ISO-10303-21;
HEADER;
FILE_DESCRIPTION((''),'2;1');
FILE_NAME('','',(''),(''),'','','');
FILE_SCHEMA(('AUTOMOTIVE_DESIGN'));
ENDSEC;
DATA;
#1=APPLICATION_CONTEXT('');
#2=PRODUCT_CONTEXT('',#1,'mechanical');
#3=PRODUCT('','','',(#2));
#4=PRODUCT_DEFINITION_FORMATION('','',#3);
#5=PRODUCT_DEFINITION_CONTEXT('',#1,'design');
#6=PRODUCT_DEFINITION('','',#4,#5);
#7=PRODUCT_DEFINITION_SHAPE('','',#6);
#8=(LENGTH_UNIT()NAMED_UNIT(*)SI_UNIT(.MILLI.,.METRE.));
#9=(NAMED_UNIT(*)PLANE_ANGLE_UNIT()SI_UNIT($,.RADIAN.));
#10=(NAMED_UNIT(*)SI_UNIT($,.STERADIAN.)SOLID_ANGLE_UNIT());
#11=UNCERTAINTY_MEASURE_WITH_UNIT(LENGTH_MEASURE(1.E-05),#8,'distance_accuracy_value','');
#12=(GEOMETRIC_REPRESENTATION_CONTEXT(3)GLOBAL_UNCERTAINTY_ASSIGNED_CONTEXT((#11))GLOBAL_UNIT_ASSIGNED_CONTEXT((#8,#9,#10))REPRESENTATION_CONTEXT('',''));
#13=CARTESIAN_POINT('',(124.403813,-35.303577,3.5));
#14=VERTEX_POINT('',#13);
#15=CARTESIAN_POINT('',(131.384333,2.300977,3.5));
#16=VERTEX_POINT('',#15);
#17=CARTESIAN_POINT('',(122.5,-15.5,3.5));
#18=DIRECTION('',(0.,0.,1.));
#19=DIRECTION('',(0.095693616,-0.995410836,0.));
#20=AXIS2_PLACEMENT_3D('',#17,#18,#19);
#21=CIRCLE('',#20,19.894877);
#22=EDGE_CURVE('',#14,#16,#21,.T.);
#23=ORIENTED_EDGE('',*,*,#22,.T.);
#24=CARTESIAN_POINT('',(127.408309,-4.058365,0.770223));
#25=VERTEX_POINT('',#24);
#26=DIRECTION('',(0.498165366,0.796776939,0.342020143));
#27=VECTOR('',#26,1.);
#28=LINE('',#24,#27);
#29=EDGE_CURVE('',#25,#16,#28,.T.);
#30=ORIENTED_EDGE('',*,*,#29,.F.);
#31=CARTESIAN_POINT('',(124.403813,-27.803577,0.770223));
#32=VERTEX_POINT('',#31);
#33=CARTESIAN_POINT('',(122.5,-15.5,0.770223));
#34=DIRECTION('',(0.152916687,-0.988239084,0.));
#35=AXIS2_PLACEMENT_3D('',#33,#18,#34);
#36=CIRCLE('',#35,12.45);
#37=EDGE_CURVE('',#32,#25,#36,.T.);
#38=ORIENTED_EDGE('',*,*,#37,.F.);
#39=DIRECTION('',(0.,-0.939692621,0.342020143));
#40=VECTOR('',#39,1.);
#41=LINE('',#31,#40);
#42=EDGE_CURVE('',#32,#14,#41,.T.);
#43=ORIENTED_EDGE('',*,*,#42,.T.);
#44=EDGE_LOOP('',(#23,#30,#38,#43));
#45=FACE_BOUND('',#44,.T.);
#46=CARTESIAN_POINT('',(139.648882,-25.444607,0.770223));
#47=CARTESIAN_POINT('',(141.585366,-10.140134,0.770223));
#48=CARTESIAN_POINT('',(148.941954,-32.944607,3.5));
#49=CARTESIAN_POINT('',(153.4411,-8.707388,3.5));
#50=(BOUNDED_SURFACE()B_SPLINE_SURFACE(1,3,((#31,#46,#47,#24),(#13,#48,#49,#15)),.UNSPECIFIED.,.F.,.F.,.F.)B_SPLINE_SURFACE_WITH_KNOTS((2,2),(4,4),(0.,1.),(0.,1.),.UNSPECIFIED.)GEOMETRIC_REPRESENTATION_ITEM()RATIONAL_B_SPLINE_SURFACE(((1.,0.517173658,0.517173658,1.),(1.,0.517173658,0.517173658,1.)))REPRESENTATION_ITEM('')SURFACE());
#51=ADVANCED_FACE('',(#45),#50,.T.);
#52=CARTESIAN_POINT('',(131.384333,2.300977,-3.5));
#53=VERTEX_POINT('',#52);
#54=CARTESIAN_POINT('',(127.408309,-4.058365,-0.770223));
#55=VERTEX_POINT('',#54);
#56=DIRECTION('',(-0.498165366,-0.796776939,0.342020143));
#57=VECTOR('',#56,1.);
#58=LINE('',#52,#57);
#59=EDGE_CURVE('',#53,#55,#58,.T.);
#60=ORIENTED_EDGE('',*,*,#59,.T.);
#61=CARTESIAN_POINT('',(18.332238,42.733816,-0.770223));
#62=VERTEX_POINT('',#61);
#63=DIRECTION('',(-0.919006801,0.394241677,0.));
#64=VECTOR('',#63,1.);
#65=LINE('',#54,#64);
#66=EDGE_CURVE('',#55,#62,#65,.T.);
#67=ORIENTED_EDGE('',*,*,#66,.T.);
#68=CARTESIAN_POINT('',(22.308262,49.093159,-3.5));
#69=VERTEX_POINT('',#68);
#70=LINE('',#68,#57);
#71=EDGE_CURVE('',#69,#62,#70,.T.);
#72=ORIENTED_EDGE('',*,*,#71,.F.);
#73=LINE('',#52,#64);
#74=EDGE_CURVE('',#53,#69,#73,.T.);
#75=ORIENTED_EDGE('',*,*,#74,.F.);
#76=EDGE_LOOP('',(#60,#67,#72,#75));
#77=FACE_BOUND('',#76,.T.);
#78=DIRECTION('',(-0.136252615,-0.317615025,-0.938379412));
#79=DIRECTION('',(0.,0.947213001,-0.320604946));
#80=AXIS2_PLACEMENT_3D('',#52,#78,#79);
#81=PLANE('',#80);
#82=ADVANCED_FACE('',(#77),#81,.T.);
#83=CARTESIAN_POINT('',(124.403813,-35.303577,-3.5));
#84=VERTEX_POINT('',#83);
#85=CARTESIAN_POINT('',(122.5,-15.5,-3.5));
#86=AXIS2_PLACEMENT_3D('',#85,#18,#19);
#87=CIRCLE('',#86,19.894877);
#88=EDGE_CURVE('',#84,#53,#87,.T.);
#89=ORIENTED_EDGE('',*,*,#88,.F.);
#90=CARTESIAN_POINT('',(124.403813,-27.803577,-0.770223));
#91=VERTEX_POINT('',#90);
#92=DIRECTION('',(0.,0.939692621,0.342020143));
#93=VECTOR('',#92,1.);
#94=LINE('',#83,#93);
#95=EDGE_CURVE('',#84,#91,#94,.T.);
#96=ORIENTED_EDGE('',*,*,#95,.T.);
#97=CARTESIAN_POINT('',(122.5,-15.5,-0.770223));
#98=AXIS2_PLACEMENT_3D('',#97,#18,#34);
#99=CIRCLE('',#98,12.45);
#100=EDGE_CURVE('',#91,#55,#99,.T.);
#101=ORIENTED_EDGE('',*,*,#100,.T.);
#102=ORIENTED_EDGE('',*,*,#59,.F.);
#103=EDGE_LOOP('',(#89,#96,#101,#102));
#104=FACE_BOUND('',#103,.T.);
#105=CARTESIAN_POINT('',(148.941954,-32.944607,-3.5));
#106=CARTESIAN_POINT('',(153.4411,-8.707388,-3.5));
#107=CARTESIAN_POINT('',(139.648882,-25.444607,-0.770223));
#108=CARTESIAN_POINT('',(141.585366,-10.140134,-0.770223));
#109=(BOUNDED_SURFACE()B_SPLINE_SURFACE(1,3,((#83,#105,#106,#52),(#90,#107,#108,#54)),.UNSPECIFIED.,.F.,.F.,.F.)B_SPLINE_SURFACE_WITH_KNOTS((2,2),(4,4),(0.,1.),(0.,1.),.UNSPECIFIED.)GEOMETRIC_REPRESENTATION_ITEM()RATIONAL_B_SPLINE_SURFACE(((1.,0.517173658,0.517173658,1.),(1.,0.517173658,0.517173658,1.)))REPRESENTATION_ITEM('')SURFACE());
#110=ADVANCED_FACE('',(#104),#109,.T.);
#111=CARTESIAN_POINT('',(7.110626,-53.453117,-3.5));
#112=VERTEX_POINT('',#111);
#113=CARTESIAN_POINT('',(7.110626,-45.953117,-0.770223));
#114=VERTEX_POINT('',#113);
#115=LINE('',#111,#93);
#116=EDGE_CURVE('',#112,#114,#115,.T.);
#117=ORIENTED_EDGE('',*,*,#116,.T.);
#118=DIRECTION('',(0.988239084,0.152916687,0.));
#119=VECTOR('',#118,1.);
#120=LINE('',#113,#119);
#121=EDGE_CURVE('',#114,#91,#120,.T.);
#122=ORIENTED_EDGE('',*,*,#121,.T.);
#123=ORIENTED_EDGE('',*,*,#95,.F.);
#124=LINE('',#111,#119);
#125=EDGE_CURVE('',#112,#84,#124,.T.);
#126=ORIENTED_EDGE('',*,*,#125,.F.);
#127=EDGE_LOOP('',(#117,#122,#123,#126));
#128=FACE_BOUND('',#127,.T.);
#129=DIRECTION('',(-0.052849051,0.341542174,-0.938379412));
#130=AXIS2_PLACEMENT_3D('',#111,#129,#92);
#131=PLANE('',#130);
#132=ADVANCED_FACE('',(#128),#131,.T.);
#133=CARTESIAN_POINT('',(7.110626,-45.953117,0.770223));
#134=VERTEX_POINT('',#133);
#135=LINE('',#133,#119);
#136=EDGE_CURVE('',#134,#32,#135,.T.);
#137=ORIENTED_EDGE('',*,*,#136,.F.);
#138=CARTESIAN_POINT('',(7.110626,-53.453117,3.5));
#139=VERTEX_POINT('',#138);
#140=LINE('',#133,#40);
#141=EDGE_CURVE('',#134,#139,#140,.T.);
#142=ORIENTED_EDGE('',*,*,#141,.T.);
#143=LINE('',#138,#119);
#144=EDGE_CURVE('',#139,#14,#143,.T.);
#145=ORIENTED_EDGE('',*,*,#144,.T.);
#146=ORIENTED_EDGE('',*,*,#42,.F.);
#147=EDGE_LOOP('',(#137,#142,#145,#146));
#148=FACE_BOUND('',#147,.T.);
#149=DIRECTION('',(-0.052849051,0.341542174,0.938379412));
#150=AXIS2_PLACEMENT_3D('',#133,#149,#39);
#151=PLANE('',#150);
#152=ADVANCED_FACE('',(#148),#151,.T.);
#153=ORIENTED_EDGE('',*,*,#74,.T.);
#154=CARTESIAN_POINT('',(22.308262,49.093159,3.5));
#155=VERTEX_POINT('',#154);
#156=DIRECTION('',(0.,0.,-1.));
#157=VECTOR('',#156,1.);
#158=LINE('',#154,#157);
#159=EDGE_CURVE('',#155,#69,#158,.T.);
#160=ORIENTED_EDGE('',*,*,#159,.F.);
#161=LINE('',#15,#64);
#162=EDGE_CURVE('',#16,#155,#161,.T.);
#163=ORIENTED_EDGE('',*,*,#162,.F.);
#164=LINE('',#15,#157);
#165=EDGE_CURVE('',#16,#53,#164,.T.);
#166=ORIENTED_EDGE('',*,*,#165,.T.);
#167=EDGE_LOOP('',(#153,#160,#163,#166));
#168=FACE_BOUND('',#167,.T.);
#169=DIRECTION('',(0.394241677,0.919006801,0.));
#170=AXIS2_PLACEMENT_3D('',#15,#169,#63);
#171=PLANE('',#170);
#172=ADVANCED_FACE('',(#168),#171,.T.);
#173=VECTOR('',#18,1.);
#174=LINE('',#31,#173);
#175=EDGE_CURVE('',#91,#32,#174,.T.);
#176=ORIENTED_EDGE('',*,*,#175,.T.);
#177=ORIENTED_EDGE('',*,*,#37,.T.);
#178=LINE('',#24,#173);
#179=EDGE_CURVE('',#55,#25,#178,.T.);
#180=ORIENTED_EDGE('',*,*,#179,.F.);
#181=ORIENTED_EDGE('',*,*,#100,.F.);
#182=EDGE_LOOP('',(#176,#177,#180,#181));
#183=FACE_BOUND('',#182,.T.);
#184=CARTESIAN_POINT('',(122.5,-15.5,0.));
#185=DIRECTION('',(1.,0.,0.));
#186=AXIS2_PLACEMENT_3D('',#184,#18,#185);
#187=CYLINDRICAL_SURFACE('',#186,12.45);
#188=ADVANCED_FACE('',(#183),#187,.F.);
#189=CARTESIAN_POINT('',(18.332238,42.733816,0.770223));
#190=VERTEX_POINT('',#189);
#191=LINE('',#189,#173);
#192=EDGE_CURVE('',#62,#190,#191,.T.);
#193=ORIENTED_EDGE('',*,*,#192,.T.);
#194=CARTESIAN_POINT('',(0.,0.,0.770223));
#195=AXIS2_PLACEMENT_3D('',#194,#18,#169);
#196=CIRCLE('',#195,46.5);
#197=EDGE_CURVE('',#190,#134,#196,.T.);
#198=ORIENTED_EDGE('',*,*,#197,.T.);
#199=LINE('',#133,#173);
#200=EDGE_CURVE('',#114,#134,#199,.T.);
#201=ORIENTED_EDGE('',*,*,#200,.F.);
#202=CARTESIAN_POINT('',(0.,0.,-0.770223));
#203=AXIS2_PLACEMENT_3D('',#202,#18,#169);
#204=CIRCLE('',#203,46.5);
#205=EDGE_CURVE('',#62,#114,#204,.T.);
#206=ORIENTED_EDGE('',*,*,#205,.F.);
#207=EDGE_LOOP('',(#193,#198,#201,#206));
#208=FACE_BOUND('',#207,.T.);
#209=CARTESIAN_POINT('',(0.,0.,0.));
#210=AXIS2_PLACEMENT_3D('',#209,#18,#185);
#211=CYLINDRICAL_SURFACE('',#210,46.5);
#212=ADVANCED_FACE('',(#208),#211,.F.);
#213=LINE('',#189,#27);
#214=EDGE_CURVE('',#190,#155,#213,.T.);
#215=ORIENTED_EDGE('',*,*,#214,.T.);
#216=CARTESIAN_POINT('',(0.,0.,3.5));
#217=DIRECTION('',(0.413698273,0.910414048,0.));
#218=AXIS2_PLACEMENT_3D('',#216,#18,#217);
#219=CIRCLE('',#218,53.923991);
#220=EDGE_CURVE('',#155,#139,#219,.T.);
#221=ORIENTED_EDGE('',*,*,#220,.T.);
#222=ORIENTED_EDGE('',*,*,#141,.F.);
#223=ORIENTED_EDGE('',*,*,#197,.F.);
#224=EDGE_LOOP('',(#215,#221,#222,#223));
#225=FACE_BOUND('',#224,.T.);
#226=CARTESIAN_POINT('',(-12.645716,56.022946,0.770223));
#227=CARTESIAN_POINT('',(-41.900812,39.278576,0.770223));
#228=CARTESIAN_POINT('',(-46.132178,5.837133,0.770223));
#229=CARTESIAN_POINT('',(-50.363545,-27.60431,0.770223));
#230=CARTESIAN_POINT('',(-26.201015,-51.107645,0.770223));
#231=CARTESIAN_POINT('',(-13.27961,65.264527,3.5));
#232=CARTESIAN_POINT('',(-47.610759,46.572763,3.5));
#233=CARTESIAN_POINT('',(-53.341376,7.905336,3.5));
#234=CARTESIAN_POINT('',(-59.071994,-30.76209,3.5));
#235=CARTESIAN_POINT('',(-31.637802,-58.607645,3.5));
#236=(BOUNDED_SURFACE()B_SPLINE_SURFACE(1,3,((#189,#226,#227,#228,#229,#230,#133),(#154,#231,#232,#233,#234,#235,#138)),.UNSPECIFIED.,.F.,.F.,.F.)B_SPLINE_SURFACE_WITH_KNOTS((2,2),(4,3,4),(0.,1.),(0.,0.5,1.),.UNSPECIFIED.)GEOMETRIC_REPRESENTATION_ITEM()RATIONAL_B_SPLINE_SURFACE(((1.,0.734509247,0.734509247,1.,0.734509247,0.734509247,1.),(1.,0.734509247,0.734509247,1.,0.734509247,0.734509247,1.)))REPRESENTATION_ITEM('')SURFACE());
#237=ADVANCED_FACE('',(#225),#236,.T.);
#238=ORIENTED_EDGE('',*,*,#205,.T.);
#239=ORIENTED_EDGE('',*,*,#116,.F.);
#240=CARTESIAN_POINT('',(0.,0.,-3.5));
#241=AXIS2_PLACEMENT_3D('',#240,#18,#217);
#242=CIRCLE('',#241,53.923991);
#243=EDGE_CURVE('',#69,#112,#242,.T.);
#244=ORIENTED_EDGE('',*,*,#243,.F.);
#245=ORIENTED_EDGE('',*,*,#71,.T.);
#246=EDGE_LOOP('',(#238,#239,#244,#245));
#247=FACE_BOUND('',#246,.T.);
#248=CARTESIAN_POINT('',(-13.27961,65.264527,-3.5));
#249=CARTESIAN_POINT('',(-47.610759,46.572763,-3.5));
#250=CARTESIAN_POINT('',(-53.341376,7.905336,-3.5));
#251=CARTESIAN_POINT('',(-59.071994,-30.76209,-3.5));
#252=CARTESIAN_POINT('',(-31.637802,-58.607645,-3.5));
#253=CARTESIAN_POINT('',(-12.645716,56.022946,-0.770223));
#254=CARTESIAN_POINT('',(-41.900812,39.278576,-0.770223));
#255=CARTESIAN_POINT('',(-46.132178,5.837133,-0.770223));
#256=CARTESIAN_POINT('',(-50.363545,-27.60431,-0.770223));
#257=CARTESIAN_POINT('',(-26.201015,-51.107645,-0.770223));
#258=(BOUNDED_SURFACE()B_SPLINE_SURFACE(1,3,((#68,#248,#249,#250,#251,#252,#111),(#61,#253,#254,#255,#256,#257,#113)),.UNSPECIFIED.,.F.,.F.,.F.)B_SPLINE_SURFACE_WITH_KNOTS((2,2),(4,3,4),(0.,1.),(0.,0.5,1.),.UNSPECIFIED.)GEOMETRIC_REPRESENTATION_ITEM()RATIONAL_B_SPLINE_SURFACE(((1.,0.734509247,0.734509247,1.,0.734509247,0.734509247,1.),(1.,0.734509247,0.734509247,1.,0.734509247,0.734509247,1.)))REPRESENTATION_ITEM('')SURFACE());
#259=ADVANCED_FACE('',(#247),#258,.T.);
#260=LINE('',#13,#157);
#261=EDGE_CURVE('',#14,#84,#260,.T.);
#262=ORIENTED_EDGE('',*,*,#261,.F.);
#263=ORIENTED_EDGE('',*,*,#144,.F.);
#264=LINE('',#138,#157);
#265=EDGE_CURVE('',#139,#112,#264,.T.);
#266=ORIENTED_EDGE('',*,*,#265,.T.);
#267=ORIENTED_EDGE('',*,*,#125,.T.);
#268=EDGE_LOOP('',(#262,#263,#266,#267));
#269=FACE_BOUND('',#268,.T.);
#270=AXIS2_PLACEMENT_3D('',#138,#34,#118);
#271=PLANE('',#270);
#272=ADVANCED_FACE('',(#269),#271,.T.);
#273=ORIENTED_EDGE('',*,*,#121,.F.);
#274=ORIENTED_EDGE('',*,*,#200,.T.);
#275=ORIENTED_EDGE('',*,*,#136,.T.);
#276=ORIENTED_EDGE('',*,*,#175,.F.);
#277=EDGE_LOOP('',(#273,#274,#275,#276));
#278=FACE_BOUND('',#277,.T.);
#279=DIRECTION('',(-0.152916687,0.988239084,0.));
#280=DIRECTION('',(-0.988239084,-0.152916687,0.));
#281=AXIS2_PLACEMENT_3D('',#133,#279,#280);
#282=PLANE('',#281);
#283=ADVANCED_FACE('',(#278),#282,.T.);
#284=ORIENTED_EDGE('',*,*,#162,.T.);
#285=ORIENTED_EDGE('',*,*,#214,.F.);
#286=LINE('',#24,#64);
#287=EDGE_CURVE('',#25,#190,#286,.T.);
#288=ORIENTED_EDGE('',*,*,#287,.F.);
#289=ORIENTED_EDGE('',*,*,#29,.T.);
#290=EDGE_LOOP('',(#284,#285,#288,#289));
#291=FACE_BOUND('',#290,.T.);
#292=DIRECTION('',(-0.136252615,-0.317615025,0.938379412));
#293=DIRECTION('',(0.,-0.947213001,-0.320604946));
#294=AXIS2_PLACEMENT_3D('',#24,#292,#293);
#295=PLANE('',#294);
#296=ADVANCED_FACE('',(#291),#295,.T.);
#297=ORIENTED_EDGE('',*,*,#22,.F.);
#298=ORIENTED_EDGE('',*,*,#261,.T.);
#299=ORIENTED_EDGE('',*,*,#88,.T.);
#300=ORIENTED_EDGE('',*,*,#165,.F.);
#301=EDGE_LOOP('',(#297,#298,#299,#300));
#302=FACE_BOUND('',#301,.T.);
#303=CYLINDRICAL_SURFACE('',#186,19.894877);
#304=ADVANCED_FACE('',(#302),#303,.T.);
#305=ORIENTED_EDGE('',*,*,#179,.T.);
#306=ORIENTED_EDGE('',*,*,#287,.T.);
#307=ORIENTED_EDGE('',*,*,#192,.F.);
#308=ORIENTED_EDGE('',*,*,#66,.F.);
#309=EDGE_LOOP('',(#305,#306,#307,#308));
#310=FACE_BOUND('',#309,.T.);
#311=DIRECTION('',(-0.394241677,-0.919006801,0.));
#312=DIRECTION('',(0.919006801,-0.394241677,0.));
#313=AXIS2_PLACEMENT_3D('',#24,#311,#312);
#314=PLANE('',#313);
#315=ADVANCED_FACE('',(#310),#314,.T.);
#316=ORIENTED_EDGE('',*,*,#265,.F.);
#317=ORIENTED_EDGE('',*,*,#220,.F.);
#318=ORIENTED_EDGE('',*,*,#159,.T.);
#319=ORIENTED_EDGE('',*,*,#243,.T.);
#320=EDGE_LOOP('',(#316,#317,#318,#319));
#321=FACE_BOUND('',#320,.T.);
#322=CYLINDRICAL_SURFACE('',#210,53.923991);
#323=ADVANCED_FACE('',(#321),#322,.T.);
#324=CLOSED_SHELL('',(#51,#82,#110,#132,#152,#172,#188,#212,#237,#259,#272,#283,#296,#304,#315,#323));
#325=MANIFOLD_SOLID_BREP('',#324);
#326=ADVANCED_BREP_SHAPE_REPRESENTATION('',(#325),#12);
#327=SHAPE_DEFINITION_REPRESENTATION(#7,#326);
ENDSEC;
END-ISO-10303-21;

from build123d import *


with BuildPart() as part:
    # Sweep1: sweep along a path in Sketch1
    with BuildLine(Plane.XY) as sweep1_path:
        Line((18.332237974, 42.733816245), (127.408308877, -4.058365328))
        ThreePointArc((127.408308877, -4.058365328), (134.851518724, -17.062845226), (124.403812758, -27.803576593))
        Line((124.403812758, -27.803576593), (7.110625962, -45.953117396))
        ThreePointArc((7.110625962, -45.953117396), (-46.132178368, 5.837132773), (18.332237974, 42.733816245))
    # Sketch2 → Sweep1 (sweep)
    with BuildSketch(Plane(origin=(7.110625962, 0, 0), x_dir=(0, 0, -1), z_dir=(1, 0, 0))):
        Polygon((-0.770223243, -45.953117396), (0.770223243, -45.953117396), (3.5, -53.453117396), (-3.5, -53.453117396), align=None)
    sweep(path=sweep1_path.line)


solid = part.part
